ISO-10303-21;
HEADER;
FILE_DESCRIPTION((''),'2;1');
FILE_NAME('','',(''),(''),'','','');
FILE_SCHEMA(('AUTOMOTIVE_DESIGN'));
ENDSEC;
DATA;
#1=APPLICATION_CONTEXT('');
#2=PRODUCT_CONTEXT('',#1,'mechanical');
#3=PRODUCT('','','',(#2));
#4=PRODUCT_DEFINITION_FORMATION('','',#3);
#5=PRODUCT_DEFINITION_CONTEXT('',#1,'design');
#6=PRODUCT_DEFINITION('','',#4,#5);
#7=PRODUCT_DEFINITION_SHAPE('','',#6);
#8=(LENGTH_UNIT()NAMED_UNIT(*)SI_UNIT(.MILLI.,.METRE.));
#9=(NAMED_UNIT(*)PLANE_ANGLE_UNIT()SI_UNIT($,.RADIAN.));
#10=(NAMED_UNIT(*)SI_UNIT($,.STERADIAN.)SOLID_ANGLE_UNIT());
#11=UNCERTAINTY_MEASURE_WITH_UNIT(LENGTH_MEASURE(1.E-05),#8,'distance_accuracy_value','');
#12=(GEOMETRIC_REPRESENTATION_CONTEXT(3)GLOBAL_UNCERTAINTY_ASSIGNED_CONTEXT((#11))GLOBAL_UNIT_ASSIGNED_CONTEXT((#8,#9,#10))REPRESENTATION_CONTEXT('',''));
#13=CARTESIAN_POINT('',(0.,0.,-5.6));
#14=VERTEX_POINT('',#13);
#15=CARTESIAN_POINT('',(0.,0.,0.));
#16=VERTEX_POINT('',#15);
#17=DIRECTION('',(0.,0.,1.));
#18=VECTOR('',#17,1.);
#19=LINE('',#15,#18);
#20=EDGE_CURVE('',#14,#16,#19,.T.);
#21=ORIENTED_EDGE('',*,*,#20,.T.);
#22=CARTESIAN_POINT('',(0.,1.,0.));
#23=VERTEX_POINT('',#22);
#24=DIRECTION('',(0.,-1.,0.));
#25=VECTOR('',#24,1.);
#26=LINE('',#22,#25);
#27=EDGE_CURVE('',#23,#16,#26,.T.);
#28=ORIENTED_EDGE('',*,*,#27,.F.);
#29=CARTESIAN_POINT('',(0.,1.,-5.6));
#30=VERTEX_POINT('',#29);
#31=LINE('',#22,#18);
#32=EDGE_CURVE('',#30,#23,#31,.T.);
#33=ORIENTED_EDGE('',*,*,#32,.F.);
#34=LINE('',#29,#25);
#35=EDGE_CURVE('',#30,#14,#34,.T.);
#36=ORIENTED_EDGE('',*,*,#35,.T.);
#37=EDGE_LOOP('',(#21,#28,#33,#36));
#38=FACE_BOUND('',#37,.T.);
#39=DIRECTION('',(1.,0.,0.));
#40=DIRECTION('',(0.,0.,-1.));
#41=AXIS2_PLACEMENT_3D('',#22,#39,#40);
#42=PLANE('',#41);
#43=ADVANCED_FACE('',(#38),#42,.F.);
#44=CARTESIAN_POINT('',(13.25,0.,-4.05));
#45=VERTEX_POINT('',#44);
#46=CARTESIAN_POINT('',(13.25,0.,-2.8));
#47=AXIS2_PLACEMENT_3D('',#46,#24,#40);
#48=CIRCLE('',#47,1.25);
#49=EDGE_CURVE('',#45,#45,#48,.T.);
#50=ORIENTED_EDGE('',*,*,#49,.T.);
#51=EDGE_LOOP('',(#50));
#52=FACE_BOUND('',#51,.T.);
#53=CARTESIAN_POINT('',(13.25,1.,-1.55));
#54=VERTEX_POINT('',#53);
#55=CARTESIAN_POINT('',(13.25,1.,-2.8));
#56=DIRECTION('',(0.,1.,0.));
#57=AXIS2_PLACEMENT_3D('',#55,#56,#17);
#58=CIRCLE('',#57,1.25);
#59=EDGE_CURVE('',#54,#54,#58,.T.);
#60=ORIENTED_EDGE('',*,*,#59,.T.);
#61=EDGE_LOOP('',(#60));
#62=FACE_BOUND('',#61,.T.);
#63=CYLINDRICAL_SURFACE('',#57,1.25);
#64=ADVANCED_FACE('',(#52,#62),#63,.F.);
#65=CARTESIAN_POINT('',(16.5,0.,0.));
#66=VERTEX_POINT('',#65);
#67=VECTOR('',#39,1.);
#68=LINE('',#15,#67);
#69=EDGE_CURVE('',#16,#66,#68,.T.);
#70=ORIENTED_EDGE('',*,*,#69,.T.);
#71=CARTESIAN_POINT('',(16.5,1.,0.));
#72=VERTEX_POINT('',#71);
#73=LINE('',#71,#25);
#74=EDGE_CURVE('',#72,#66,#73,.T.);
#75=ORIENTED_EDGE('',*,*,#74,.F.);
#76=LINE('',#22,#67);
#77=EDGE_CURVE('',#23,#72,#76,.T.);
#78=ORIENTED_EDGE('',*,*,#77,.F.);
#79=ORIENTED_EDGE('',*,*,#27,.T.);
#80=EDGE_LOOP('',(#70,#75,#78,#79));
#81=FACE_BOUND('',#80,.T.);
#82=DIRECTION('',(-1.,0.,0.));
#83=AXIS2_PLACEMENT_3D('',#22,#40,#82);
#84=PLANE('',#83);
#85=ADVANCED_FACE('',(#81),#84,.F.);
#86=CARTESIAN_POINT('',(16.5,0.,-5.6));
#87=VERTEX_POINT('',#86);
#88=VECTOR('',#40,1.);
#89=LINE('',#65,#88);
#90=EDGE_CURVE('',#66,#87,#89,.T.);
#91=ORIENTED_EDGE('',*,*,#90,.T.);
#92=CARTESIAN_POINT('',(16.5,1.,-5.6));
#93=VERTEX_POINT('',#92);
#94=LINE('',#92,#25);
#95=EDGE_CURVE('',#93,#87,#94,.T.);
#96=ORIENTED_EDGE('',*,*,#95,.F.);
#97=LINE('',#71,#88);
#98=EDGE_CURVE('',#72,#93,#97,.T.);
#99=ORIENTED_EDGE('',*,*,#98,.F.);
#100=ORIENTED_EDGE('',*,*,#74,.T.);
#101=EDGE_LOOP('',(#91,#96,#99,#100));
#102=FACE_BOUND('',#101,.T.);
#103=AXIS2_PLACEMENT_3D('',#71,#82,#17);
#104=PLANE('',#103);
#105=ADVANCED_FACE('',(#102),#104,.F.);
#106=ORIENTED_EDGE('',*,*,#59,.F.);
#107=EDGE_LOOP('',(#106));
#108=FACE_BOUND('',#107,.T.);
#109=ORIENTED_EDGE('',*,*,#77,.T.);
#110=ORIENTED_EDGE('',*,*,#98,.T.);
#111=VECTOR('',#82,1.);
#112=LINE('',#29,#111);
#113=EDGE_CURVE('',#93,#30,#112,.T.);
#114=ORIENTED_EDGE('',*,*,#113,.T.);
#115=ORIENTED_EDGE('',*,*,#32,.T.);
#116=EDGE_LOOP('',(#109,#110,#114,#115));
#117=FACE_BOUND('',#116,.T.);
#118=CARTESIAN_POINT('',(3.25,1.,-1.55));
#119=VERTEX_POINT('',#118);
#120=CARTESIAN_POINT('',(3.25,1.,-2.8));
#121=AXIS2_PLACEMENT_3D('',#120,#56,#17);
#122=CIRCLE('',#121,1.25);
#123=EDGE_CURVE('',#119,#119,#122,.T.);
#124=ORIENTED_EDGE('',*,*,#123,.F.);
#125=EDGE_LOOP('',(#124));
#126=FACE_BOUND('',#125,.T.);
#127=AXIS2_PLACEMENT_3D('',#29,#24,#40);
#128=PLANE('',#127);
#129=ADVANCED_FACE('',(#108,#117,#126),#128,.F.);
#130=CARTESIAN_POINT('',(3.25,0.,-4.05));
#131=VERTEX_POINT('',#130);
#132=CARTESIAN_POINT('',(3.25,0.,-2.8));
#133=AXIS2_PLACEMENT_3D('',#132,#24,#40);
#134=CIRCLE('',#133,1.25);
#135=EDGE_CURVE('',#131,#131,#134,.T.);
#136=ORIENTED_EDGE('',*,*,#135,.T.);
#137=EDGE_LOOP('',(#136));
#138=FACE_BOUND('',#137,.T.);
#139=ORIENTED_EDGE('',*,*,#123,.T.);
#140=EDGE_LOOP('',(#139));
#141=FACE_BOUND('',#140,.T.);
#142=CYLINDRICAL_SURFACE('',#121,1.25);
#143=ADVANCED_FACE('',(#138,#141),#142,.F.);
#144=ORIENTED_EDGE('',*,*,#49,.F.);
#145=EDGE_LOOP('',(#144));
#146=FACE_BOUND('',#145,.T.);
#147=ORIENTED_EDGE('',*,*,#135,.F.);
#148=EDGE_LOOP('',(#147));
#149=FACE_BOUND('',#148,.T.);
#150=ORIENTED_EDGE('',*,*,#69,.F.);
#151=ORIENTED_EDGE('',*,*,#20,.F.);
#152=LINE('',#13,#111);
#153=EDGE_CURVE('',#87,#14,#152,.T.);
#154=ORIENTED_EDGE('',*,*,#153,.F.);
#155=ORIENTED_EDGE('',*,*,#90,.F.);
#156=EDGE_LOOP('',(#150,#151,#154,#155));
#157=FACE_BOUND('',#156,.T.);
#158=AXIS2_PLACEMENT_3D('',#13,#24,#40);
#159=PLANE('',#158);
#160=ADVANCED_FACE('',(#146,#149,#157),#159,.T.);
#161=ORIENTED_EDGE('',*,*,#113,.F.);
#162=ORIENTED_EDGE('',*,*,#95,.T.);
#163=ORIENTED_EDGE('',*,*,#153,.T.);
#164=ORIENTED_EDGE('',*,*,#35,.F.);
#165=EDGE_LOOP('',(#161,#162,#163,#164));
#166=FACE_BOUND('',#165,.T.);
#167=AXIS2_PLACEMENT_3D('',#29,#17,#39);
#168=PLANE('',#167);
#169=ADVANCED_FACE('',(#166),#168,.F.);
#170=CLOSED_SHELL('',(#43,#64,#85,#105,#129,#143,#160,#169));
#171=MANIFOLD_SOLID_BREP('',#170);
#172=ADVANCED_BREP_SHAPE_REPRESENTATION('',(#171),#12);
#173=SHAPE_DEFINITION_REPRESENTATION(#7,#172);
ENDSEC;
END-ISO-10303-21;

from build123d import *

# Parameters (mm, degrees)
SKETCH1_W                 = 16.5
SKETCH1_H                 = 5.6
BOSS_EXTRUDE1_DEPTH       = 1
M3X0_5_TAPPED_HOLE3_D     = 2.5
M3X0_5_TAPPED_HOLE3_DEPTH = 1


with BuildPart() as part:
    # Sketch1 → Boss-Extrude1 (new body)
    with BuildSketch(Plane(origin=(0, 0, 0), x_dir=(1, 0, 0), z_dir=(0, 1, 0))):
        with Locations((8.25, 2.8)):
            Rectangle(SKETCH1_W, SKETCH1_H)
    extrude(amount=BOSS_EXTRUDE1_DEPTH)

    # M3x0.5 Tapped Hole3
    with Locations(Plane(origin=(0, 1, 0), x_dir=(-1, 0, 0), z_dir=(0, 1, 0))):
        with Locations((-3.25, -2.8), (-13.25, -2.8)):
            Hole(M3X0_5_TAPPED_HOLE3_D / 2, depth=M3X0_5_TAPPED_HOLE3_DEPTH)


solid = part.part
